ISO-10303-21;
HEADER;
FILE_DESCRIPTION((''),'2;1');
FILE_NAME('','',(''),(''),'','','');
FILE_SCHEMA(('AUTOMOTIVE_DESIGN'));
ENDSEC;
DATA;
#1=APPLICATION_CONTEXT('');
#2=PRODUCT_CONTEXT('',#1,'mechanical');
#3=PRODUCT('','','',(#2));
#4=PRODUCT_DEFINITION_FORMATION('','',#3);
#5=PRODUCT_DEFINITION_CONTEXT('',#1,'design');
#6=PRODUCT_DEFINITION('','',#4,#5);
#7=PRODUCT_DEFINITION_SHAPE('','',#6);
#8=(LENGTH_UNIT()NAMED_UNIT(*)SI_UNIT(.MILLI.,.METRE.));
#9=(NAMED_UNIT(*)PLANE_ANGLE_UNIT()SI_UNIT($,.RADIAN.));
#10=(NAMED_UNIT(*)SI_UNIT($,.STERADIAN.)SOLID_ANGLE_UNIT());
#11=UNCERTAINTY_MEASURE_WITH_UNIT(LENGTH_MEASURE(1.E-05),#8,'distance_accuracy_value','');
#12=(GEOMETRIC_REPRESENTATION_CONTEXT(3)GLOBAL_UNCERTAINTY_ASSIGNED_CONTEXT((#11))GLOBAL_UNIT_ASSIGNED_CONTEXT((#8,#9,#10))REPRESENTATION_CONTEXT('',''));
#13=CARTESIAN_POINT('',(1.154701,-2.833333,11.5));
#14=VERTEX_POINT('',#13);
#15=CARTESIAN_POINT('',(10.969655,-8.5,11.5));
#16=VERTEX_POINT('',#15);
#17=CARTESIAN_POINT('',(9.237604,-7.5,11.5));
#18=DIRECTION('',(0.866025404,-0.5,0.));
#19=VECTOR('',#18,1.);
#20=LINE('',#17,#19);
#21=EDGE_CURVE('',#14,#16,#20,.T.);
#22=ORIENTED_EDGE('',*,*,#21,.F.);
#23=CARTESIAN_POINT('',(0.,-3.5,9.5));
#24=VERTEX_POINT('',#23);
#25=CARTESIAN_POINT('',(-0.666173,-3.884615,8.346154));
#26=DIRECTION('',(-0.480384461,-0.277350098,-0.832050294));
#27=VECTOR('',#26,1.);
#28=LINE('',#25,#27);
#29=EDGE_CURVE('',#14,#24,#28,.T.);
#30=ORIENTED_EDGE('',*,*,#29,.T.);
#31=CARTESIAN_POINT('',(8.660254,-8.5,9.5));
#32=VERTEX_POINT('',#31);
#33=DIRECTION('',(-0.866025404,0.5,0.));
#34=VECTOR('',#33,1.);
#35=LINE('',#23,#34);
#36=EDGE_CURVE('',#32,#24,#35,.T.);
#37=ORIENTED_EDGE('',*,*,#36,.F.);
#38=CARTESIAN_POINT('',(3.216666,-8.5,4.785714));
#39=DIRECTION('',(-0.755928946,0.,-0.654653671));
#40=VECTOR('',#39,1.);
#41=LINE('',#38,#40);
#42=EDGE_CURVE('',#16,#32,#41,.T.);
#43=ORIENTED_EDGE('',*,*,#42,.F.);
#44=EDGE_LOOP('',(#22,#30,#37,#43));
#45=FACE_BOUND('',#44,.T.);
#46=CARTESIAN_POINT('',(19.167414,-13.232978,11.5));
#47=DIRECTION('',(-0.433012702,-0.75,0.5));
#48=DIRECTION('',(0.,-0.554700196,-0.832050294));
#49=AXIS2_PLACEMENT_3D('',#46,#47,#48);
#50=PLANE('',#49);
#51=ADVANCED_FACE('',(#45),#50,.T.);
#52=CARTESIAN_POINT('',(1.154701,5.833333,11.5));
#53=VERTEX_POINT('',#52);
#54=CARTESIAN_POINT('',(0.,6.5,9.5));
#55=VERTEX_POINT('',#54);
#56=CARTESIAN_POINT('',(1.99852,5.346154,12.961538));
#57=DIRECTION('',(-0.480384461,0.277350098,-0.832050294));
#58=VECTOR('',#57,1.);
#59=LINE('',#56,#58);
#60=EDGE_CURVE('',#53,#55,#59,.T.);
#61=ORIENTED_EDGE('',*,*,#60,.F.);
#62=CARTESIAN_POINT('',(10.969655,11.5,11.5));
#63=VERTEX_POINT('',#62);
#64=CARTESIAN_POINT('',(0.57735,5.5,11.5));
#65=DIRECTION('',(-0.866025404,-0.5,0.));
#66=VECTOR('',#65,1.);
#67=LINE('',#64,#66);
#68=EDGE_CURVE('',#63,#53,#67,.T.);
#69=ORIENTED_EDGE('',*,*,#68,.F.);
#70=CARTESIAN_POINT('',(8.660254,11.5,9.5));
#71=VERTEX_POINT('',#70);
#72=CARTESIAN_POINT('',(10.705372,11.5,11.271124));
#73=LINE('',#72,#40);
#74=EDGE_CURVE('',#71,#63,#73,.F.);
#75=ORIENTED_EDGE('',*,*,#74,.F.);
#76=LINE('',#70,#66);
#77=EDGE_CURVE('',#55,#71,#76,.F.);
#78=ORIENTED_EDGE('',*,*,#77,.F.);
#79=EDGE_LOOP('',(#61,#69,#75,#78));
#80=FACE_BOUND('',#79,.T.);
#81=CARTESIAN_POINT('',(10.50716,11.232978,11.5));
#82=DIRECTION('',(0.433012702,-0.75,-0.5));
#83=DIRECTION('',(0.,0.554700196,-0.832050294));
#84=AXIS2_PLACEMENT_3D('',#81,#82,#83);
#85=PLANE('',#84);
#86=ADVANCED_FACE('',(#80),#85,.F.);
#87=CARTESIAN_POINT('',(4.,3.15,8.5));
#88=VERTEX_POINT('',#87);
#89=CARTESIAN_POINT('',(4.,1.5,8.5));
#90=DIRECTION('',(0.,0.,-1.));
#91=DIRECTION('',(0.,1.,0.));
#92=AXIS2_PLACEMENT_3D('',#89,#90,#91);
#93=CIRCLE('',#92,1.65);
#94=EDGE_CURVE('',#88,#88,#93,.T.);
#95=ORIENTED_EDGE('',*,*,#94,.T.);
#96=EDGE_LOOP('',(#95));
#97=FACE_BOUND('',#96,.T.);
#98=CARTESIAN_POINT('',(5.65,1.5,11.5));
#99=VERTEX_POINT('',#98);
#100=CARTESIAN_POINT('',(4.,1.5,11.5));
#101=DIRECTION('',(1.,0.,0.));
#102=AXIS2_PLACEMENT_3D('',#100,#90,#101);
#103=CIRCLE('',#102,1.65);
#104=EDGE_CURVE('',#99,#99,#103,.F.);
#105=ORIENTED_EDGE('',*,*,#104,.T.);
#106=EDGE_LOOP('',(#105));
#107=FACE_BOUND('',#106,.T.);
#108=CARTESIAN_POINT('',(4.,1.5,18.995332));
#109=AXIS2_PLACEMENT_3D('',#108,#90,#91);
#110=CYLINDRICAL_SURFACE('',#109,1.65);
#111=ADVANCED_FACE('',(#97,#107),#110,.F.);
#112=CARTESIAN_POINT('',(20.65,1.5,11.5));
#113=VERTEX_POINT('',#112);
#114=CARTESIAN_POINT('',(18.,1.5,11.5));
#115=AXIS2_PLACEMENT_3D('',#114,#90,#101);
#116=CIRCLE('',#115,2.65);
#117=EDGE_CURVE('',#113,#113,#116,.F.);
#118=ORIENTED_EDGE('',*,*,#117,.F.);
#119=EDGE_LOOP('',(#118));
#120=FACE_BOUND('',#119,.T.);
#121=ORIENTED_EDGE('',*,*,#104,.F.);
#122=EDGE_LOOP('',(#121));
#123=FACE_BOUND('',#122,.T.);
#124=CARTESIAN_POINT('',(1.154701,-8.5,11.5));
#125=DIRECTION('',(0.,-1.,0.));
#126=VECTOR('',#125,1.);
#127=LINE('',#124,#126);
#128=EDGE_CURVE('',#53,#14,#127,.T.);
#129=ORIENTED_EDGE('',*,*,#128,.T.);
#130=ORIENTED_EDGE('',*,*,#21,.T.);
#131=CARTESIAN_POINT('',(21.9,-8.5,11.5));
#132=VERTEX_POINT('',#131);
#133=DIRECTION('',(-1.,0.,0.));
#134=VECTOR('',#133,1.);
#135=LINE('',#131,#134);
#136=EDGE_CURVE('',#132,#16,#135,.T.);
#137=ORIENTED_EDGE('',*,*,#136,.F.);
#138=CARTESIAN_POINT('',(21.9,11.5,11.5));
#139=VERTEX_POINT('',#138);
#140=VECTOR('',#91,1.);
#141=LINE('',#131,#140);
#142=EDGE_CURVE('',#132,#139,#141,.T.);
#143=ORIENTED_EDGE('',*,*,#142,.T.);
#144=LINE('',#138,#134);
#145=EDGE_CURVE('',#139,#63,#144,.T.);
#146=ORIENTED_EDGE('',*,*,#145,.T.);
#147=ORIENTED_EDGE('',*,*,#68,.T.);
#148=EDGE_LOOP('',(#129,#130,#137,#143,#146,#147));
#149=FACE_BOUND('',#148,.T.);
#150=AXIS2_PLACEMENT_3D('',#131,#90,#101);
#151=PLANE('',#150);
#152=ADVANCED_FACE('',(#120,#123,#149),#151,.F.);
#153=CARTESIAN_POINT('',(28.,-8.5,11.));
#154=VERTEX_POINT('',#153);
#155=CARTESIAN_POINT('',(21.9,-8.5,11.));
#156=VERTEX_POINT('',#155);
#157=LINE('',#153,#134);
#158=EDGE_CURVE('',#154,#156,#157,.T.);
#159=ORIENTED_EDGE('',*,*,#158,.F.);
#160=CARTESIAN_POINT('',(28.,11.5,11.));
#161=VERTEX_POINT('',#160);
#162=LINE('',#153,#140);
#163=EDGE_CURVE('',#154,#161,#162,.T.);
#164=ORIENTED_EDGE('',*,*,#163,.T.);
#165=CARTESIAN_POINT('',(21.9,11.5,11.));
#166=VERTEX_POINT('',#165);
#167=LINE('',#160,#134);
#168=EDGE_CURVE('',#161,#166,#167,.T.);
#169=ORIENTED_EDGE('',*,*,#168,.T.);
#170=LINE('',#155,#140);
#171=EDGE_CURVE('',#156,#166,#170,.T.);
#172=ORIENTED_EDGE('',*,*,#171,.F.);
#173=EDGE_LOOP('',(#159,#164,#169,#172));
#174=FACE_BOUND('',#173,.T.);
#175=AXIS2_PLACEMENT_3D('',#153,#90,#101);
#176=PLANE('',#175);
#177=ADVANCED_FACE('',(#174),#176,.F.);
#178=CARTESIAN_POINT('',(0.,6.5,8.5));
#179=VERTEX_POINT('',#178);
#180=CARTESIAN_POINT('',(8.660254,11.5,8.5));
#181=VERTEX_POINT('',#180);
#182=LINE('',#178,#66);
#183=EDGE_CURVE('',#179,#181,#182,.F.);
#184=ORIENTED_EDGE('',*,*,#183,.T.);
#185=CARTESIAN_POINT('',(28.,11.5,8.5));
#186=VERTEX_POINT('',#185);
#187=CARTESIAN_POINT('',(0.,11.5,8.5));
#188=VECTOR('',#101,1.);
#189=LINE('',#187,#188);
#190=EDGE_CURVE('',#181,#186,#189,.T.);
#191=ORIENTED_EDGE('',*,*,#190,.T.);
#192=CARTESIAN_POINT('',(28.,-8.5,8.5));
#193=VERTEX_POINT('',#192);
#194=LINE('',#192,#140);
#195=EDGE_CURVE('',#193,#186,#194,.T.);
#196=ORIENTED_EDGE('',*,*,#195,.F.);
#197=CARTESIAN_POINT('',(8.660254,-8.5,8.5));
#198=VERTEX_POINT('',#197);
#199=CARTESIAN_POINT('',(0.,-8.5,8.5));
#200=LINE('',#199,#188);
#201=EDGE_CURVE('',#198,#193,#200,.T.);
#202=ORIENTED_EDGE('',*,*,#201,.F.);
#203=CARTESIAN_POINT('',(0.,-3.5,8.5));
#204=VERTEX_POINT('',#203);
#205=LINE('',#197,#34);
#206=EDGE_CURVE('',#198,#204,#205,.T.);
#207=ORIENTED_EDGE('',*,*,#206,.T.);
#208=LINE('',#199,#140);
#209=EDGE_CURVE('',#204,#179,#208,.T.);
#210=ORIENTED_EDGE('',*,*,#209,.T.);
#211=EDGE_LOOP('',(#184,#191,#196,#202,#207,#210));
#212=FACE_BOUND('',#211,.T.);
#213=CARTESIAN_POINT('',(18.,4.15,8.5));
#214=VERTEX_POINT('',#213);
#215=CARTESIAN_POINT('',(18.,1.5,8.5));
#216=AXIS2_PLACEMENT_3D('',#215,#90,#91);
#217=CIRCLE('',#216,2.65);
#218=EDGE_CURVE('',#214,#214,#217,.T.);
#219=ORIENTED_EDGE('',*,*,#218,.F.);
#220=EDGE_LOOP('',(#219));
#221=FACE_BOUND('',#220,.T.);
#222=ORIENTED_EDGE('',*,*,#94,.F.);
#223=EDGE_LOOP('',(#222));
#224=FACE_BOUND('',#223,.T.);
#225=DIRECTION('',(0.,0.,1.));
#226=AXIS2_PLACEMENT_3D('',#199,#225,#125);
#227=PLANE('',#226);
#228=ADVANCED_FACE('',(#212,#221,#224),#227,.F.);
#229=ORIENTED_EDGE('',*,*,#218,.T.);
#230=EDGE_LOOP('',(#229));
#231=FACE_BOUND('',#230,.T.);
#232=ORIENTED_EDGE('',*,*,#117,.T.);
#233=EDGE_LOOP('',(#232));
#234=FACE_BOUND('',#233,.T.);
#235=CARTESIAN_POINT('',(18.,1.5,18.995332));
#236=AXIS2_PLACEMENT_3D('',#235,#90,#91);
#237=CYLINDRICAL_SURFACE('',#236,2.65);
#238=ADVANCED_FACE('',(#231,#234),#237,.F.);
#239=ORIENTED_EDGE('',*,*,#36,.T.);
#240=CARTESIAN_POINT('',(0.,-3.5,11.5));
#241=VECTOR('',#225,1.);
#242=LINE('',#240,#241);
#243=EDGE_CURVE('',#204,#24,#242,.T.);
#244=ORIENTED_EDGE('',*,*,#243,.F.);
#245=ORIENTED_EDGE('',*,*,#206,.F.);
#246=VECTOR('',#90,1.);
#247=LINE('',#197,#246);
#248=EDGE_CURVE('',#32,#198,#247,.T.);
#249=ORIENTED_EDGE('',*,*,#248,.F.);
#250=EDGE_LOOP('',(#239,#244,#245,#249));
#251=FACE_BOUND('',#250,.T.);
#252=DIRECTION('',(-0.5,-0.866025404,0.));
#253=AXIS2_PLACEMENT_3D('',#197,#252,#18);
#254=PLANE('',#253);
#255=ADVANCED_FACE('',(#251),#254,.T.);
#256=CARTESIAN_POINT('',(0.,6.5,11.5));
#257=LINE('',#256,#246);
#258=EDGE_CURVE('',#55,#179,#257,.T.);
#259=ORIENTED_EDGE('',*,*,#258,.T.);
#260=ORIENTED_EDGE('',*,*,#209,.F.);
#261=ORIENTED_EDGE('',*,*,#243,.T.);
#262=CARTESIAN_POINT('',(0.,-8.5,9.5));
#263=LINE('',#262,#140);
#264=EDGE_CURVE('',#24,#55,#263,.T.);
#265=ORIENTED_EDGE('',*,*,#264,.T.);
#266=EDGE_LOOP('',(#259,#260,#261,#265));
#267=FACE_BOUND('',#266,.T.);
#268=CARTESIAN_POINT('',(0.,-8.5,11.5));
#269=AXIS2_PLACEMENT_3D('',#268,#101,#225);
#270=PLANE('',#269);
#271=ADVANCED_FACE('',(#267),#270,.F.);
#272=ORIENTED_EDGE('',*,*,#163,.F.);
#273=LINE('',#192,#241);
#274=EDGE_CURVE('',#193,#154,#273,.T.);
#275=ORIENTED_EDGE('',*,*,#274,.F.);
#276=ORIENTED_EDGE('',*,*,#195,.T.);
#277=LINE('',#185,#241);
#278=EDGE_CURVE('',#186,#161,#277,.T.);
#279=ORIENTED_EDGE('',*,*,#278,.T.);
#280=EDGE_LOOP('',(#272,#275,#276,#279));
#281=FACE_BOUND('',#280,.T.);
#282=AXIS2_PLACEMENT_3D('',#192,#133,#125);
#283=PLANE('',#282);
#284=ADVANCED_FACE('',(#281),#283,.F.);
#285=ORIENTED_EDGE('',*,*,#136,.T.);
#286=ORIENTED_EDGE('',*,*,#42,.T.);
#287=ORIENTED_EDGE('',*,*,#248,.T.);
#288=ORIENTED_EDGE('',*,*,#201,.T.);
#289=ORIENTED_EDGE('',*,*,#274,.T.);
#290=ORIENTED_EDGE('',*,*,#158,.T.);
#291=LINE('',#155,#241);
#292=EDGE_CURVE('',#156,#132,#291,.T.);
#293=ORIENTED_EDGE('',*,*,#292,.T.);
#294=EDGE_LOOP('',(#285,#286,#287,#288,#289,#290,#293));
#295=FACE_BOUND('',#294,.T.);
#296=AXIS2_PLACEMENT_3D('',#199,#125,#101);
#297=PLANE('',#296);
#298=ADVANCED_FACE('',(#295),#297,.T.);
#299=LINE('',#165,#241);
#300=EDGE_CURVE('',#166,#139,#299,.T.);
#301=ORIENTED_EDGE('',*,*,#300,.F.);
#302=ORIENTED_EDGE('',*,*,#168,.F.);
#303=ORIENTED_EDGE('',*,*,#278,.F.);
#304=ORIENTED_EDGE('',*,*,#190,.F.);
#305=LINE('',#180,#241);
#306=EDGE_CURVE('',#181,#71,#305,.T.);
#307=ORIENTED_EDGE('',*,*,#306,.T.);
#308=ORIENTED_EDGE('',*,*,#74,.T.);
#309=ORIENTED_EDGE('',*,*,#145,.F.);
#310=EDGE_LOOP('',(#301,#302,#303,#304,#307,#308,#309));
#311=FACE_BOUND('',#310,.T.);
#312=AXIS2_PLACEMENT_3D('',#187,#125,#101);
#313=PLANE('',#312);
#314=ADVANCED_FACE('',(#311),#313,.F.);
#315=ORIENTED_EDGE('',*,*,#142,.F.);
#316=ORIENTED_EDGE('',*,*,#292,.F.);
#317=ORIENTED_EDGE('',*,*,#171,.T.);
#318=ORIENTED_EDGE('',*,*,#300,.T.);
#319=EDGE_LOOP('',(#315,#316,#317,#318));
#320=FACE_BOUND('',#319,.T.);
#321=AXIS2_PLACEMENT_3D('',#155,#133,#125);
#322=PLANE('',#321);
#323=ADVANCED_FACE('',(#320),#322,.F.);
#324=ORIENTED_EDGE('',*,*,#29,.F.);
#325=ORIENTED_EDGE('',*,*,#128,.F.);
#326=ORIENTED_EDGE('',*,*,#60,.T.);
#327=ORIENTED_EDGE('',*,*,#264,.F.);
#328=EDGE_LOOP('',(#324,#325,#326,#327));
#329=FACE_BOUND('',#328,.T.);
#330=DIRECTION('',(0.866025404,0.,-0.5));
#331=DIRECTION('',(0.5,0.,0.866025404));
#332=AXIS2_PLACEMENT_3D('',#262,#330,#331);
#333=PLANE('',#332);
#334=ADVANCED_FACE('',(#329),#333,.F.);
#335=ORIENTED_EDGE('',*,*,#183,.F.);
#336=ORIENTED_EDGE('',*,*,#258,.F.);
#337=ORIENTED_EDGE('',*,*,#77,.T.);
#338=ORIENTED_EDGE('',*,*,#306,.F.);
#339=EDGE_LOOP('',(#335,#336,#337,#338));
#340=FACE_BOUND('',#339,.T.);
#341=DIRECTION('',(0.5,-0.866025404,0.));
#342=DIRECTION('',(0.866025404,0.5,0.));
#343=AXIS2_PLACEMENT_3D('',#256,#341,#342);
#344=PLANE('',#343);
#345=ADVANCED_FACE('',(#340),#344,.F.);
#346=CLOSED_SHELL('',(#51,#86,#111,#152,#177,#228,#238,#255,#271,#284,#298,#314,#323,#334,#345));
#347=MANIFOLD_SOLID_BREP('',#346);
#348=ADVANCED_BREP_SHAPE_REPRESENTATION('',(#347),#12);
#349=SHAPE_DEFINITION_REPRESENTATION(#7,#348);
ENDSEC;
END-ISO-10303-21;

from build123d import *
from OCP.BRepFilletAPI import BRepFilletAPI_MakeChamfer

# Parameters (mm, degrees)
AUFSATZ_LINEAR_AUSTRAGEN1_DEPTH    = 20
SKIZZE2_R                          = 1.65
SKIZZE2_R_2                        = 2.65
SCHNITT_LINEAR_AUSTRAGEN1_DEPTH    = 3
FASE1_SIZE                         = 5
FASE1_SIZE2                        = 8.660254038
FASE2_SIZE                         = 2
FASE2_SIZE2                        = 1.154700538
K_RPER_VERSCHIEBEN_KOPIEREN1_ANGLE = 90


with BuildPart() as part:
    # Skizze1 → Aufsatz-Linear austragen1 (new body)
    with BuildSketch(Plane.XY):
        Polygon((0, 0), (28, 0), (28, 2.5), (21.9, 2.5), (21.9, 3), (0, 3), align=None)
    extrude(amount=AUFSATZ_LINEAR_AUSTRAGEN1_DEPTH)

    # Skizze2 → Schnitt-Linear austragen1 (cut)
    with BuildSketch(Plane.XZ):
        with Locations(Location((4, 10, 0), (0, 0, 270))):
            Circle(SKIZZE2_R)
        with Locations(Location((18, 10, 0), (0, 0, 270))):
            Circle(SKIZZE2_R_2)
    extrude(amount=-SCHNITT_LINEAR_AUSTRAGEN1_DEPTH, mode=Mode.SUBTRACT)

    # Fase1
    fase1_edges = [part.edges().sort_by_distance(p)[0] for p in [
        (0, 1.5, 20),
        (0, 1.5, 0),
    ]]
    fase1_side = [part.faces().sort_by_distance(p)[0] for p in [
        (0, 1.5, 10),
    ]]
    chamfer(fase1_edges, length=FASE1_SIZE, length2=FASE1_SIZE2, reference=fase1_side[0])

    # Fase2: one chamfer whose edges measure the first distance from different faces: ONE call of the kernel's chamfer builder (chamfer() names one face for all edges)
    fase2_edges_1 = [part.edges().sort_by_distance(p)[0] for p in [
        (0, 3, 10),
    ]]
    fase2_side_1 = [part.faces().sort_by_distance(p)[0] for p in [
        (0, 1.5, 10),
    ]]
    fase2_edges_2 = [part.edges().sort_by_distance(p)[0] for p in [
        (4.330127019, 3, 17.5),
    ]]
    fase2_side_2 = [part.faces().sort_by_distance(p)[0] for p in [
        (4.330127019, 1.5, 17.5),
    ]]
    fase2_edges_3 = [part.edges().sort_by_distance(p)[0] for p in [
        (4.330127019, 3, 2.5),
    ]]
    fase2_side_3 = [part.faces().sort_by_distance(p)[0] for p in [
        (4.330127019, 1.5, 2.5),
    ]]
    fase2 = BRepFilletAPI_MakeChamfer(part.part.solid().wrapped)
    for e in fase2_edges_1:
        fase2.Add(FASE2_SIZE, FASE2_SIZE2, e.wrapped, fase2_side_1[0].wrapped)  # the first distance lies on this face
    for e in fase2_edges_2:
        fase2.Add(FASE2_SIZE, FASE2_SIZE2, e.wrapped, fase2_side_2[0].wrapped)  # the first distance lies on this face
    for e in fase2_edges_3:
        fase2.Add(FASE2_SIZE, FASE2_SIZE2, e.wrapped, fase2_side_3[0].wrapped)  # the first distance lies on this face
    add(Compound.cast(fase2.Shape()), mode=Mode.REPLACE)


with BuildPart() as part_1:
    # Körper-Verschieben/Kopieren1: moved
    add(part.part.rotate(Axis((0, 1.5, 10), (1, 0, 0)), K_RPER_VERSCHIEBEN_KOPIEREN1_ANGLE))


solid = part_1.part
